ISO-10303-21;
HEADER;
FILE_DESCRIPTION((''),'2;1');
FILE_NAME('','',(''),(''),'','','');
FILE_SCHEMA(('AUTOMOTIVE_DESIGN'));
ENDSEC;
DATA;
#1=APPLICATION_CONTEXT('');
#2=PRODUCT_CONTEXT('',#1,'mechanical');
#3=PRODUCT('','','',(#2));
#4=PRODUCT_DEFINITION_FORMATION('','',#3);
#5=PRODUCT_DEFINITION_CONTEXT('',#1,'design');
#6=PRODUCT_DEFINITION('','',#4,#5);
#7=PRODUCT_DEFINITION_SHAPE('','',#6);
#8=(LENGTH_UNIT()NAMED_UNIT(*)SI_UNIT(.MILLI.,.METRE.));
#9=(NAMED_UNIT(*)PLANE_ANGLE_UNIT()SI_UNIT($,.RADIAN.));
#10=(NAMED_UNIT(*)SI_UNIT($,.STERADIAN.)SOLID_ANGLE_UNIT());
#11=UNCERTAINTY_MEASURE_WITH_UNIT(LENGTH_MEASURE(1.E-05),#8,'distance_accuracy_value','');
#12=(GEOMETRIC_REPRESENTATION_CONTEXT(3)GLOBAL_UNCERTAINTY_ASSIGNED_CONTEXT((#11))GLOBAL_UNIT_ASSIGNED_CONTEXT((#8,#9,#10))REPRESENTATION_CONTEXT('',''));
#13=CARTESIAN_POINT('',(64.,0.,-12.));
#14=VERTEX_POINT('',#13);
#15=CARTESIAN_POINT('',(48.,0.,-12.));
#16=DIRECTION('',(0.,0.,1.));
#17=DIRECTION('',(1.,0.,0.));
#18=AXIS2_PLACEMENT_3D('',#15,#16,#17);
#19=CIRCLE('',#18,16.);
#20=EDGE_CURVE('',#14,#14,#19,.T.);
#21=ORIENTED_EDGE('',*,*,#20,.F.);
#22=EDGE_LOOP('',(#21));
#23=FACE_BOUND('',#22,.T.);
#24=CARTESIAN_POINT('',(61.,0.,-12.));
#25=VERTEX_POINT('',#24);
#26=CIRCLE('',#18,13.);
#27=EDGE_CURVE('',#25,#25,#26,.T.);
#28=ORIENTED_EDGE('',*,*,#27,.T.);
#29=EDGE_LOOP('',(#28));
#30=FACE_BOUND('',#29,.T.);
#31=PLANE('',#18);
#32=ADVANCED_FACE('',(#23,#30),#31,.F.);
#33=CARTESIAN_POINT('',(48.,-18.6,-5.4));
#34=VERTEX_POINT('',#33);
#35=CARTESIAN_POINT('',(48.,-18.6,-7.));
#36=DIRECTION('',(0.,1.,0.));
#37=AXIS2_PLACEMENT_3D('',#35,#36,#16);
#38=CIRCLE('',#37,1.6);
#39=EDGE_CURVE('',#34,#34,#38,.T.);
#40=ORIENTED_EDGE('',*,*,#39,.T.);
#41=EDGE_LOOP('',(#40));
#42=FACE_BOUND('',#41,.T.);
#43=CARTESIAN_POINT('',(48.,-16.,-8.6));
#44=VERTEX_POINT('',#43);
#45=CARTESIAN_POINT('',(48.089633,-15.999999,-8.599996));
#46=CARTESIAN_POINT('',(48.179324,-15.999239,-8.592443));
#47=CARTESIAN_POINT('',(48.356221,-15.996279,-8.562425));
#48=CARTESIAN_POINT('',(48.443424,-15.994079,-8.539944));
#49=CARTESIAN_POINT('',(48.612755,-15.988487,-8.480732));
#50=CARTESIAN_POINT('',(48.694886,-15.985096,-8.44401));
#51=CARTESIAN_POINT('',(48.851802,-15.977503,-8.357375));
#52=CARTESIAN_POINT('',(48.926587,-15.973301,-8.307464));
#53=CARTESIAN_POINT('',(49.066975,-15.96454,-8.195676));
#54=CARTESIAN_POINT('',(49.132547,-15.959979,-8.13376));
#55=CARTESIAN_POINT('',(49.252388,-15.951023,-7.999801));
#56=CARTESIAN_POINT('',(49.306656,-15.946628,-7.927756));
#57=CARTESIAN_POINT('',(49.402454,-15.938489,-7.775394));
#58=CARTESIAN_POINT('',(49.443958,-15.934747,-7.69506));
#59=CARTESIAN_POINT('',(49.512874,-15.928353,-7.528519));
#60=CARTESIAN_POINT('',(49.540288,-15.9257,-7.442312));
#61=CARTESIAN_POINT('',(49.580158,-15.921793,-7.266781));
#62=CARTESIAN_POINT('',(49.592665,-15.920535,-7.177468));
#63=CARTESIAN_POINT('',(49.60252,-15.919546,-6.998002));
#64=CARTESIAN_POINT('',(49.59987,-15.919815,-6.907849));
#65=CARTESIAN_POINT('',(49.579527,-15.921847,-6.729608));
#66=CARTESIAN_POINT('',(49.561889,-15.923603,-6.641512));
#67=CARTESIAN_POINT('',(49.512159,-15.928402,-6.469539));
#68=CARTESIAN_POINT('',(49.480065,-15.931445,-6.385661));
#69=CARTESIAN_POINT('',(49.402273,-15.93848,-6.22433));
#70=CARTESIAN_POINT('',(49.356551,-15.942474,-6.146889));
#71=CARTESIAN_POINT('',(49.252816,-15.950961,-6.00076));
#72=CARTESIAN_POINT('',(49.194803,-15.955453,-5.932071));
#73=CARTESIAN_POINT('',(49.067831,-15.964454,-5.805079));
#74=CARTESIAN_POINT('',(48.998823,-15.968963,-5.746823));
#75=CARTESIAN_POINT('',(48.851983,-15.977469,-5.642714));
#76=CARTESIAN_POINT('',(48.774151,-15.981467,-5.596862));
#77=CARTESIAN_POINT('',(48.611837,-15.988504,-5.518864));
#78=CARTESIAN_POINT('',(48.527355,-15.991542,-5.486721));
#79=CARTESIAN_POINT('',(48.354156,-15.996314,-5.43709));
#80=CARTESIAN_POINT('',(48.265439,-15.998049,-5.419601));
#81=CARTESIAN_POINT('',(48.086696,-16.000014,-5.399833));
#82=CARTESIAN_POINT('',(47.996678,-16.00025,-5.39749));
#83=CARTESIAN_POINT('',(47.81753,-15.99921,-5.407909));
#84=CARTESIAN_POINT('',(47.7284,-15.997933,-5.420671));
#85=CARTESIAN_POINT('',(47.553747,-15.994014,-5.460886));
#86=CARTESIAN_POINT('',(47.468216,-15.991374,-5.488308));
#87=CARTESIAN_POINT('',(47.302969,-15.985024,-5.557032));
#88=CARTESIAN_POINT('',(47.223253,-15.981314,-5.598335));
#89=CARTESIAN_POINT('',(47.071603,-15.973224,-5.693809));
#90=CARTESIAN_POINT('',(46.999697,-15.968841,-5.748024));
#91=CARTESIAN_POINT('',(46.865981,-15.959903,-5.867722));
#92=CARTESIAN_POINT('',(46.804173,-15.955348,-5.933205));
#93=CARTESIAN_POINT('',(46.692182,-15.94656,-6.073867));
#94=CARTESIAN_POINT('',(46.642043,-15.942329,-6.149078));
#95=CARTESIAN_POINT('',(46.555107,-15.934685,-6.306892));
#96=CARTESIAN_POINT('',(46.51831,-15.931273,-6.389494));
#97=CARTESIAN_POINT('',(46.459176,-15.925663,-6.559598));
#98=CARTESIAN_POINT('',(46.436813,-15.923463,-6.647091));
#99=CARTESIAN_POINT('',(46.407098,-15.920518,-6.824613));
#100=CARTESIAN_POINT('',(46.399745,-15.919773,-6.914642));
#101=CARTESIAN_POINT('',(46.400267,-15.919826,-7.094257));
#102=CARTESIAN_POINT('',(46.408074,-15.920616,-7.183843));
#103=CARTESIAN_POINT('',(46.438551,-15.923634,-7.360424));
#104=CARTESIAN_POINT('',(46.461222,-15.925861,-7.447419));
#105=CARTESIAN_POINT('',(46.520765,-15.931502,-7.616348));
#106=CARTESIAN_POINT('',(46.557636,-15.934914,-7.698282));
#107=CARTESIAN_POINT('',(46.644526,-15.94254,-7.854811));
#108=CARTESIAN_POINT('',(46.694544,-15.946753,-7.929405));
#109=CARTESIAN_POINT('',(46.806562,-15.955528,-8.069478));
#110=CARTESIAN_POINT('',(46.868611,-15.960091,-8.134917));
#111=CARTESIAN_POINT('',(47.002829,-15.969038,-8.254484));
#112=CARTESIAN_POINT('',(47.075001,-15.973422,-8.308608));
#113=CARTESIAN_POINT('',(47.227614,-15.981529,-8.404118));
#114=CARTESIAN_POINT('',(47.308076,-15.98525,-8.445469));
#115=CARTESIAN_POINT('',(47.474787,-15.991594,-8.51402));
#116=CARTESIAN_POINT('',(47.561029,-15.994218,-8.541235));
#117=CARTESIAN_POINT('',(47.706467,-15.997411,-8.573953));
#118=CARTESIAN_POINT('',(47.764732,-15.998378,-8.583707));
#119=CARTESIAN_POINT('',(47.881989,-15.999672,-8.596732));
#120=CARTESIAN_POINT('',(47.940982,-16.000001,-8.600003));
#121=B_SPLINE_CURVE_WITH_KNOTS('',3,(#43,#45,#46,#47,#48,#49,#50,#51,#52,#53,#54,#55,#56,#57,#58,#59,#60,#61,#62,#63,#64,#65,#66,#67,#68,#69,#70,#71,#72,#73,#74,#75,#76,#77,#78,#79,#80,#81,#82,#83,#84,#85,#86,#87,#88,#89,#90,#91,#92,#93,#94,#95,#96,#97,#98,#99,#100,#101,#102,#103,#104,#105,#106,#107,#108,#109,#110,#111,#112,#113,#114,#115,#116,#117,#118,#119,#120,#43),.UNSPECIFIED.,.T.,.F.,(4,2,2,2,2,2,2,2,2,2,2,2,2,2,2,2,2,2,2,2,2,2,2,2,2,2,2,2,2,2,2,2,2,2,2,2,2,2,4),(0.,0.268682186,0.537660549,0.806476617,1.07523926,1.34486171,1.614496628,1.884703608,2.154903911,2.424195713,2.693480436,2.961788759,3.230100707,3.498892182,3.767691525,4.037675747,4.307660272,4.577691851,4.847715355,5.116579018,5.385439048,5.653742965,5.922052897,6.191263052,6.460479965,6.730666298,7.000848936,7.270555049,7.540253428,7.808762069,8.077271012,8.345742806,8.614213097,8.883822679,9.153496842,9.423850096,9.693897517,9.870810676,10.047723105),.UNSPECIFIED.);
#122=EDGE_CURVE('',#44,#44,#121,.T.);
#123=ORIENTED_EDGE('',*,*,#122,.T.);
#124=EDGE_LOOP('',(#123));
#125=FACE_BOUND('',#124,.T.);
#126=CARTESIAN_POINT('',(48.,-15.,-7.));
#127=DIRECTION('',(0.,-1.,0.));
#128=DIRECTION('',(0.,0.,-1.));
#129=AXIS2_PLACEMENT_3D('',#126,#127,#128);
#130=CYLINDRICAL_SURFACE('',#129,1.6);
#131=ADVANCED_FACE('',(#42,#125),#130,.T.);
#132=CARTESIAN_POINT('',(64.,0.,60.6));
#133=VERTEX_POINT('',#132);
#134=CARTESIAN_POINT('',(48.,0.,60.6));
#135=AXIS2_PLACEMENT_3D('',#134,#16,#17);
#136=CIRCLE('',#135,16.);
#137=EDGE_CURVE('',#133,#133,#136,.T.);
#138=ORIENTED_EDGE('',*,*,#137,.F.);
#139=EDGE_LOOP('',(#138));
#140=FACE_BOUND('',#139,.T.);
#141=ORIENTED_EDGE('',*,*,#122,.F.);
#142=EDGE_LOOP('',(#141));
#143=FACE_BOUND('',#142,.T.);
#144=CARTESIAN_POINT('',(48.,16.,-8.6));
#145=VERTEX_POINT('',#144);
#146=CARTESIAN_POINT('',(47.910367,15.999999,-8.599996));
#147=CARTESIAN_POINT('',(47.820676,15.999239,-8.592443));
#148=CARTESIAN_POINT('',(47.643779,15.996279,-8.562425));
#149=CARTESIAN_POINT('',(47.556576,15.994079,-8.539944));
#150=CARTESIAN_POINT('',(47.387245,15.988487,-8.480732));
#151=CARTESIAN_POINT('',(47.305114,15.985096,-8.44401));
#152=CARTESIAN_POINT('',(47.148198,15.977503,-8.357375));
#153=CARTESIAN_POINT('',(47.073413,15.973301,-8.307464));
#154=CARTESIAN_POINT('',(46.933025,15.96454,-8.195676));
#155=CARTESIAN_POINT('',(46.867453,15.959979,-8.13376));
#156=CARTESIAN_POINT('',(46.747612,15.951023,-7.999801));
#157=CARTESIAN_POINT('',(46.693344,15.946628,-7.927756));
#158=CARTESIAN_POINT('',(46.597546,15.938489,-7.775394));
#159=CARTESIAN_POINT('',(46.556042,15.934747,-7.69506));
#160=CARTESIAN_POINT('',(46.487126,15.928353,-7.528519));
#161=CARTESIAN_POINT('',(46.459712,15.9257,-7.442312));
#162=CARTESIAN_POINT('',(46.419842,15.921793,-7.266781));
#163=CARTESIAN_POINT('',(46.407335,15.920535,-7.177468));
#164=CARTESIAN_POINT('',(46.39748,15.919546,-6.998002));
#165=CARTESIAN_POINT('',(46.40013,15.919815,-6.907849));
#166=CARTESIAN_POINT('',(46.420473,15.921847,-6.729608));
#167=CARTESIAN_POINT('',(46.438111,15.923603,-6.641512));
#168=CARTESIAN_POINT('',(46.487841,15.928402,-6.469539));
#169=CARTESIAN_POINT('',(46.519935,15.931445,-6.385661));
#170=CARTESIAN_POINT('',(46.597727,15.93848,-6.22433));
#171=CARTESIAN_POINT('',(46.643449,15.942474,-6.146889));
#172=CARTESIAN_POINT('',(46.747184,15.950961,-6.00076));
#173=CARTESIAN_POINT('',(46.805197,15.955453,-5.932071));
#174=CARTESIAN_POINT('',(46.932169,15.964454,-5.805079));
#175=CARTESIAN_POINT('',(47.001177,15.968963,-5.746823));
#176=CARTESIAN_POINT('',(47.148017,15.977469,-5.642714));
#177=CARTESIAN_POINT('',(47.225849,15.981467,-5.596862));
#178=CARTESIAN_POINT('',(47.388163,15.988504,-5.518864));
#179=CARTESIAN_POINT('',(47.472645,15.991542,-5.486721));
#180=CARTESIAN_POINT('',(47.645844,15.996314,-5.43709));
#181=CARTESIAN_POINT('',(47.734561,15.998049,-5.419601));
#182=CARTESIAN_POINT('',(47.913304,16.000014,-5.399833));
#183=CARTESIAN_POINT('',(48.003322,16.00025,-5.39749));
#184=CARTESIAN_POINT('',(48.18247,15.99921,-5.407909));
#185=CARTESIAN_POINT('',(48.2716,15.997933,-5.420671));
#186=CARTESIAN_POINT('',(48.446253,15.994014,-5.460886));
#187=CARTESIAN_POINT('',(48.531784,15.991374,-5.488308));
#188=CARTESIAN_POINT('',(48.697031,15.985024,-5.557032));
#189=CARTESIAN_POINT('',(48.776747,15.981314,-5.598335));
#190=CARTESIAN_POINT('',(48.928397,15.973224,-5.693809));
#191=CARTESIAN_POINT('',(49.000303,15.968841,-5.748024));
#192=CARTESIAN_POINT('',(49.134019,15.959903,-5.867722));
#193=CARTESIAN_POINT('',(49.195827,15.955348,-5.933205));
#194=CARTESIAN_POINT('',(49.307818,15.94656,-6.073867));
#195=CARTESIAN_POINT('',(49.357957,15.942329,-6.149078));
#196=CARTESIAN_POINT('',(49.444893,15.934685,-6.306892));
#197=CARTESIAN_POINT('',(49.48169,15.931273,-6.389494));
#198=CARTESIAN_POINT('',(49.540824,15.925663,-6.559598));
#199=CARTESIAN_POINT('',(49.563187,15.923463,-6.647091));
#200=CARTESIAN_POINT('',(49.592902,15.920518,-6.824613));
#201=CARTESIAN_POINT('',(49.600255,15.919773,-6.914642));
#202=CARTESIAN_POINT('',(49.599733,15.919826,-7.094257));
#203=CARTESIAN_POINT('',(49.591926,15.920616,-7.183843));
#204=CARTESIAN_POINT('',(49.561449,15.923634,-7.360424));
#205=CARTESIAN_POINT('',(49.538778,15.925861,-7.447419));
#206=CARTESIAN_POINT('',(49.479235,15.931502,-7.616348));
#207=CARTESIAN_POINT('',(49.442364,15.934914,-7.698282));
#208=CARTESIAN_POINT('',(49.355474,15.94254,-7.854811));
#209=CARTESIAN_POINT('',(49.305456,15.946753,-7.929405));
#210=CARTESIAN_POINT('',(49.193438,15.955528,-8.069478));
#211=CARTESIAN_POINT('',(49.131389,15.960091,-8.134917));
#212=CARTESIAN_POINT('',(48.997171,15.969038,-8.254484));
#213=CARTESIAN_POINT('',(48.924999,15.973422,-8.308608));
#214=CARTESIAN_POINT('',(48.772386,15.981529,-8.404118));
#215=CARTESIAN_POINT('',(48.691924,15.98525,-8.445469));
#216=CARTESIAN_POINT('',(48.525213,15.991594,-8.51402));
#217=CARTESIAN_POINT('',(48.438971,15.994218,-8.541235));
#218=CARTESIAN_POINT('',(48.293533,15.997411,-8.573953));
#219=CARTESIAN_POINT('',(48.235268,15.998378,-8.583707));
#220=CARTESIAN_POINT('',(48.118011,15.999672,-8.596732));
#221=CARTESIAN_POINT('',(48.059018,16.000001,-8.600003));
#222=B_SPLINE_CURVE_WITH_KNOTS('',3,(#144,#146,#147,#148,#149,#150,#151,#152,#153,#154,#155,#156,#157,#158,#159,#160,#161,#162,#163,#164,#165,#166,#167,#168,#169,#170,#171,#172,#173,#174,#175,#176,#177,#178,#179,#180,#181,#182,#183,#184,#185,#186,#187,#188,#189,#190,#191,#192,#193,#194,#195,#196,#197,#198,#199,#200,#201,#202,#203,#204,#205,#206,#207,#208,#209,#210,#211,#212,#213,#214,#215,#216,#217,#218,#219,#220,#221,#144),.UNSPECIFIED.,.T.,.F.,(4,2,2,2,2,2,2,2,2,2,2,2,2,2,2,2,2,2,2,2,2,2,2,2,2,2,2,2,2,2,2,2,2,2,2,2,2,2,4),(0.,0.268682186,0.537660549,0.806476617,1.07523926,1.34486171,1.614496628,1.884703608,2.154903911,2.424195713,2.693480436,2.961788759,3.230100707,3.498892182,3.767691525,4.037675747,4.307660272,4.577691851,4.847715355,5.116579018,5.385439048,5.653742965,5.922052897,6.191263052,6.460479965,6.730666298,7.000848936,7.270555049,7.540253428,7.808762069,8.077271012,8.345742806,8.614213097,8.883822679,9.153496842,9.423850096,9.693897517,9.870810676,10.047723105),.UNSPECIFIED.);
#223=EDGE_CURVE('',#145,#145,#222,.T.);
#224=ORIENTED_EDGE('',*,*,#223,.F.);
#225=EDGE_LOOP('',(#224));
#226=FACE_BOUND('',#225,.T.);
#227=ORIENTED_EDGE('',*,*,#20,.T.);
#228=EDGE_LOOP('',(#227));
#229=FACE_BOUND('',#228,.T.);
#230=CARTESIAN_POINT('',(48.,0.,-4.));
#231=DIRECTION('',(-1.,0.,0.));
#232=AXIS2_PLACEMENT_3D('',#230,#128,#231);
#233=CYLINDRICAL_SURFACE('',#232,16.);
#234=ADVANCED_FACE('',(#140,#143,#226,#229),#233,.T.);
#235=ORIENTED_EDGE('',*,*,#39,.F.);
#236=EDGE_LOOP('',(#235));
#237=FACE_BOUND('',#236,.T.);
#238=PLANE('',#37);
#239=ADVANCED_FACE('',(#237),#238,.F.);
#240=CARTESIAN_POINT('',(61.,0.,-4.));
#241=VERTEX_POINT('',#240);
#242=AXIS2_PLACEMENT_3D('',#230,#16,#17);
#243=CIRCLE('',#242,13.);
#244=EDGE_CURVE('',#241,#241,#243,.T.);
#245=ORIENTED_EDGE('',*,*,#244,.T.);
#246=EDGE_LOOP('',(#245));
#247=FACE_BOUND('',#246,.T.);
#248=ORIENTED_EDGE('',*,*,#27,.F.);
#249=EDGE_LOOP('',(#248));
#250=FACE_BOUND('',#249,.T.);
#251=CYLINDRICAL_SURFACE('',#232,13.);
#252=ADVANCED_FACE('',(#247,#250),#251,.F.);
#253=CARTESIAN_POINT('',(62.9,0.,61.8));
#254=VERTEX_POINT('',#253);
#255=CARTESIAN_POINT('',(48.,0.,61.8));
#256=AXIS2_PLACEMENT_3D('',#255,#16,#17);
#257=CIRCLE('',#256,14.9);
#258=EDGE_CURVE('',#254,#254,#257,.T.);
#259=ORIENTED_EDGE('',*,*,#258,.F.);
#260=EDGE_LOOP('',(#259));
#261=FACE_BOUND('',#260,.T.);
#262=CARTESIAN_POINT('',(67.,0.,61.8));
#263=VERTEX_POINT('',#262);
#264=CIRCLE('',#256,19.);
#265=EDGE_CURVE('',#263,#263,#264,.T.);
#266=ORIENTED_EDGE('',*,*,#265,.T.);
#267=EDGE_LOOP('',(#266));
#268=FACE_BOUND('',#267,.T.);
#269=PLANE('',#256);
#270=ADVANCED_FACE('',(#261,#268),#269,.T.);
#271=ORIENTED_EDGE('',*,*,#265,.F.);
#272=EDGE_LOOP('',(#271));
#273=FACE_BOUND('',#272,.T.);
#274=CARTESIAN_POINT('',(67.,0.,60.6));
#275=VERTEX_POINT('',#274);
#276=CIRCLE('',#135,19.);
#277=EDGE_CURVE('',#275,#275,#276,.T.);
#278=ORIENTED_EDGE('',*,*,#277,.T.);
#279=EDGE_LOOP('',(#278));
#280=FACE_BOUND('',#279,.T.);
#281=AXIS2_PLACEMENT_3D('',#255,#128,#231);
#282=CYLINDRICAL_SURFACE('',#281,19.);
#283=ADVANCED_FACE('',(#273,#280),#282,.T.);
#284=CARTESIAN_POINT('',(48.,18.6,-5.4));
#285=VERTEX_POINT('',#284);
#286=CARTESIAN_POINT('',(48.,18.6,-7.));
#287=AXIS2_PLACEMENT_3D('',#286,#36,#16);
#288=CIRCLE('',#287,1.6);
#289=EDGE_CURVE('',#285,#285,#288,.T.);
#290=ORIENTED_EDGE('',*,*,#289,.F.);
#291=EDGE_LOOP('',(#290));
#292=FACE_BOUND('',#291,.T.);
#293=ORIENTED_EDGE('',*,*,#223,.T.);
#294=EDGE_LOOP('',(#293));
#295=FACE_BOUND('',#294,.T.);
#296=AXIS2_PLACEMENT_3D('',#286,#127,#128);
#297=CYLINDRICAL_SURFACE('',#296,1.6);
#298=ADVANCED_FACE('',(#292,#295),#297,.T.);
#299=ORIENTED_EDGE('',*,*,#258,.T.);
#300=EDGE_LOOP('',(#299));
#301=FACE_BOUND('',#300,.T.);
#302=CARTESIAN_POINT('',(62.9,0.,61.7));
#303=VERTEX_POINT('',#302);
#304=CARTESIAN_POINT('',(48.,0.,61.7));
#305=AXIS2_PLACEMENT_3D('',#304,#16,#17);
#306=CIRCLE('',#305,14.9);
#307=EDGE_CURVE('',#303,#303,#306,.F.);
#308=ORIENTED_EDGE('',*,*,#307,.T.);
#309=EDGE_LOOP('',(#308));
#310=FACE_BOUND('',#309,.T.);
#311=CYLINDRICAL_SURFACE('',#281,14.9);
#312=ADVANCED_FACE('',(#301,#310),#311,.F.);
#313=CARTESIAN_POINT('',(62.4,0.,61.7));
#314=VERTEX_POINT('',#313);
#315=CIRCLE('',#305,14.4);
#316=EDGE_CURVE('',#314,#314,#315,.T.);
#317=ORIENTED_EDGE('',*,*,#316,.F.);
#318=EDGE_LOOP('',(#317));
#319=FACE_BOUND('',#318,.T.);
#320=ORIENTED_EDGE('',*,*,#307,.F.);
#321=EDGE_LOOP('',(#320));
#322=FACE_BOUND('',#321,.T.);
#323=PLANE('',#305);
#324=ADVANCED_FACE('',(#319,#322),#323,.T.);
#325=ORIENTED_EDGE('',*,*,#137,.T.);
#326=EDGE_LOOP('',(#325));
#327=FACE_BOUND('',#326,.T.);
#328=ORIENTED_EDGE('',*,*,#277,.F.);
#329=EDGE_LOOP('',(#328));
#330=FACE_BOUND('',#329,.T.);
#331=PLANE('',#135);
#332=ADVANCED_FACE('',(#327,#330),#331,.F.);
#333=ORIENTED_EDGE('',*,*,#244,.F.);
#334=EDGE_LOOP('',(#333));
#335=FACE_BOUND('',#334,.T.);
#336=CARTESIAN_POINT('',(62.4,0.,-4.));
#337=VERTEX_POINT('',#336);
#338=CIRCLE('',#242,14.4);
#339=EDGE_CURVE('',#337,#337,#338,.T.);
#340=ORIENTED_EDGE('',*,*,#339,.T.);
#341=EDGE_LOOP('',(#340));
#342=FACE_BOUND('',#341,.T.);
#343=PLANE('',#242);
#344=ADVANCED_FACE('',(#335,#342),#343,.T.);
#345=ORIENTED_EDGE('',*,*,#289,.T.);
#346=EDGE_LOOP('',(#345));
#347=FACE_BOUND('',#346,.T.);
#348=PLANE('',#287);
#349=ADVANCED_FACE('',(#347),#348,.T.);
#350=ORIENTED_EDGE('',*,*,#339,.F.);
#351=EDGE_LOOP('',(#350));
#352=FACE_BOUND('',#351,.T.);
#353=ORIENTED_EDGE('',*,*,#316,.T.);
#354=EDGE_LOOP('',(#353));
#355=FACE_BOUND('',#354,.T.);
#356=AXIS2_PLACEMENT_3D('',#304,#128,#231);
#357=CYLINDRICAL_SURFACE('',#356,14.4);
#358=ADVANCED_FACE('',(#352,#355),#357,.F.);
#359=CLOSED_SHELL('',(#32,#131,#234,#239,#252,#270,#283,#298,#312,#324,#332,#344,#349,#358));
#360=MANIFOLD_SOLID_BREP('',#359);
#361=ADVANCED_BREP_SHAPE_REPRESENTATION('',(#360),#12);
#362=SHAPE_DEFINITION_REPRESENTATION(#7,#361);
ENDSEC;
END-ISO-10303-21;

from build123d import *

# Parameters (mm, degrees)
SKETCH1_R                 = 16
SKETCH1_R_2               = 13
BOTTOM_RING_BAYONET_DEPTH = 8
SKETCH2_R                 = 16
SKETCH2_R_2               = 14.4
WELL_TUBE_DEPTH           = 65.7
SKETCH3_R                 = 19
SKETCH3_R_2               = 14.9
HATCH_FLANGE_DEPTH        = 1.2
SKETCH4_R                 = 1.6
BAYONET_PIN_STBD_DEPTH    = 3.6
SKETCH5_R                 = 1.6
BAYONET_PIN_PORT_DEPTH    = 3.6


with BuildPart() as part:
    # Sketch1 → Bottom_ring_bayonet (new body)
    with BuildSketch(Plane.XY.offset(-12)):
        with Locations((48, 0)):
            Circle(SKETCH1_R)
        with Locations((48, 0)):
            Circle(SKETCH1_R_2, mode=Mode.SUBTRACT)
    extrude(amount=BOTTOM_RING_BAYONET_DEPTH)

    # Sketch2 → Well_tube (add)
    with BuildSketch(Plane.XY.offset(-4)):
        with Locations((48, 0)):
            Circle(SKETCH2_R)
        with Locations((48, 0)):
            Circle(SKETCH2_R_2, mode=Mode.SUBTRACT)
    extrude(amount=WELL_TUBE_DEPTH)

    # Sketch3 → Hatch_flange (add)
    with BuildSketch(Plane.XY.offset(60.6)):
        with Locations((48, 0)):
            Circle(SKETCH3_R)
        with Locations((48, 0)):
            Circle(SKETCH3_R_2, mode=Mode.SUBTRACT)
    extrude(amount=HATCH_FLANGE_DEPTH)

    # Sketch4 → Bayonet_pin_stbd (add)
    with BuildSketch(Plane(origin=(0, 15, 0), x_dir=(1, 0, 0), z_dir=(0, 1, 0))):
        with Locations(Location((48, 7, 0), (0, 0, 90))):
            Circle(SKETCH4_R)
    extrude(amount=BAYONET_PIN_STBD_DEPTH)

    # Sketch5 → Bayonet_pin_port (add)
    with BuildSketch(Plane(origin=(0, -18.6, 0), x_dir=(1, 0, 0), z_dir=(0, 1, 0))):
        with Locations(Location((48, 7, 0), (0, 0, 90))):
            Circle(SKETCH5_R)
    extrude(amount=BAYONET_PIN_PORT_DEPTH)


solid = part.part
